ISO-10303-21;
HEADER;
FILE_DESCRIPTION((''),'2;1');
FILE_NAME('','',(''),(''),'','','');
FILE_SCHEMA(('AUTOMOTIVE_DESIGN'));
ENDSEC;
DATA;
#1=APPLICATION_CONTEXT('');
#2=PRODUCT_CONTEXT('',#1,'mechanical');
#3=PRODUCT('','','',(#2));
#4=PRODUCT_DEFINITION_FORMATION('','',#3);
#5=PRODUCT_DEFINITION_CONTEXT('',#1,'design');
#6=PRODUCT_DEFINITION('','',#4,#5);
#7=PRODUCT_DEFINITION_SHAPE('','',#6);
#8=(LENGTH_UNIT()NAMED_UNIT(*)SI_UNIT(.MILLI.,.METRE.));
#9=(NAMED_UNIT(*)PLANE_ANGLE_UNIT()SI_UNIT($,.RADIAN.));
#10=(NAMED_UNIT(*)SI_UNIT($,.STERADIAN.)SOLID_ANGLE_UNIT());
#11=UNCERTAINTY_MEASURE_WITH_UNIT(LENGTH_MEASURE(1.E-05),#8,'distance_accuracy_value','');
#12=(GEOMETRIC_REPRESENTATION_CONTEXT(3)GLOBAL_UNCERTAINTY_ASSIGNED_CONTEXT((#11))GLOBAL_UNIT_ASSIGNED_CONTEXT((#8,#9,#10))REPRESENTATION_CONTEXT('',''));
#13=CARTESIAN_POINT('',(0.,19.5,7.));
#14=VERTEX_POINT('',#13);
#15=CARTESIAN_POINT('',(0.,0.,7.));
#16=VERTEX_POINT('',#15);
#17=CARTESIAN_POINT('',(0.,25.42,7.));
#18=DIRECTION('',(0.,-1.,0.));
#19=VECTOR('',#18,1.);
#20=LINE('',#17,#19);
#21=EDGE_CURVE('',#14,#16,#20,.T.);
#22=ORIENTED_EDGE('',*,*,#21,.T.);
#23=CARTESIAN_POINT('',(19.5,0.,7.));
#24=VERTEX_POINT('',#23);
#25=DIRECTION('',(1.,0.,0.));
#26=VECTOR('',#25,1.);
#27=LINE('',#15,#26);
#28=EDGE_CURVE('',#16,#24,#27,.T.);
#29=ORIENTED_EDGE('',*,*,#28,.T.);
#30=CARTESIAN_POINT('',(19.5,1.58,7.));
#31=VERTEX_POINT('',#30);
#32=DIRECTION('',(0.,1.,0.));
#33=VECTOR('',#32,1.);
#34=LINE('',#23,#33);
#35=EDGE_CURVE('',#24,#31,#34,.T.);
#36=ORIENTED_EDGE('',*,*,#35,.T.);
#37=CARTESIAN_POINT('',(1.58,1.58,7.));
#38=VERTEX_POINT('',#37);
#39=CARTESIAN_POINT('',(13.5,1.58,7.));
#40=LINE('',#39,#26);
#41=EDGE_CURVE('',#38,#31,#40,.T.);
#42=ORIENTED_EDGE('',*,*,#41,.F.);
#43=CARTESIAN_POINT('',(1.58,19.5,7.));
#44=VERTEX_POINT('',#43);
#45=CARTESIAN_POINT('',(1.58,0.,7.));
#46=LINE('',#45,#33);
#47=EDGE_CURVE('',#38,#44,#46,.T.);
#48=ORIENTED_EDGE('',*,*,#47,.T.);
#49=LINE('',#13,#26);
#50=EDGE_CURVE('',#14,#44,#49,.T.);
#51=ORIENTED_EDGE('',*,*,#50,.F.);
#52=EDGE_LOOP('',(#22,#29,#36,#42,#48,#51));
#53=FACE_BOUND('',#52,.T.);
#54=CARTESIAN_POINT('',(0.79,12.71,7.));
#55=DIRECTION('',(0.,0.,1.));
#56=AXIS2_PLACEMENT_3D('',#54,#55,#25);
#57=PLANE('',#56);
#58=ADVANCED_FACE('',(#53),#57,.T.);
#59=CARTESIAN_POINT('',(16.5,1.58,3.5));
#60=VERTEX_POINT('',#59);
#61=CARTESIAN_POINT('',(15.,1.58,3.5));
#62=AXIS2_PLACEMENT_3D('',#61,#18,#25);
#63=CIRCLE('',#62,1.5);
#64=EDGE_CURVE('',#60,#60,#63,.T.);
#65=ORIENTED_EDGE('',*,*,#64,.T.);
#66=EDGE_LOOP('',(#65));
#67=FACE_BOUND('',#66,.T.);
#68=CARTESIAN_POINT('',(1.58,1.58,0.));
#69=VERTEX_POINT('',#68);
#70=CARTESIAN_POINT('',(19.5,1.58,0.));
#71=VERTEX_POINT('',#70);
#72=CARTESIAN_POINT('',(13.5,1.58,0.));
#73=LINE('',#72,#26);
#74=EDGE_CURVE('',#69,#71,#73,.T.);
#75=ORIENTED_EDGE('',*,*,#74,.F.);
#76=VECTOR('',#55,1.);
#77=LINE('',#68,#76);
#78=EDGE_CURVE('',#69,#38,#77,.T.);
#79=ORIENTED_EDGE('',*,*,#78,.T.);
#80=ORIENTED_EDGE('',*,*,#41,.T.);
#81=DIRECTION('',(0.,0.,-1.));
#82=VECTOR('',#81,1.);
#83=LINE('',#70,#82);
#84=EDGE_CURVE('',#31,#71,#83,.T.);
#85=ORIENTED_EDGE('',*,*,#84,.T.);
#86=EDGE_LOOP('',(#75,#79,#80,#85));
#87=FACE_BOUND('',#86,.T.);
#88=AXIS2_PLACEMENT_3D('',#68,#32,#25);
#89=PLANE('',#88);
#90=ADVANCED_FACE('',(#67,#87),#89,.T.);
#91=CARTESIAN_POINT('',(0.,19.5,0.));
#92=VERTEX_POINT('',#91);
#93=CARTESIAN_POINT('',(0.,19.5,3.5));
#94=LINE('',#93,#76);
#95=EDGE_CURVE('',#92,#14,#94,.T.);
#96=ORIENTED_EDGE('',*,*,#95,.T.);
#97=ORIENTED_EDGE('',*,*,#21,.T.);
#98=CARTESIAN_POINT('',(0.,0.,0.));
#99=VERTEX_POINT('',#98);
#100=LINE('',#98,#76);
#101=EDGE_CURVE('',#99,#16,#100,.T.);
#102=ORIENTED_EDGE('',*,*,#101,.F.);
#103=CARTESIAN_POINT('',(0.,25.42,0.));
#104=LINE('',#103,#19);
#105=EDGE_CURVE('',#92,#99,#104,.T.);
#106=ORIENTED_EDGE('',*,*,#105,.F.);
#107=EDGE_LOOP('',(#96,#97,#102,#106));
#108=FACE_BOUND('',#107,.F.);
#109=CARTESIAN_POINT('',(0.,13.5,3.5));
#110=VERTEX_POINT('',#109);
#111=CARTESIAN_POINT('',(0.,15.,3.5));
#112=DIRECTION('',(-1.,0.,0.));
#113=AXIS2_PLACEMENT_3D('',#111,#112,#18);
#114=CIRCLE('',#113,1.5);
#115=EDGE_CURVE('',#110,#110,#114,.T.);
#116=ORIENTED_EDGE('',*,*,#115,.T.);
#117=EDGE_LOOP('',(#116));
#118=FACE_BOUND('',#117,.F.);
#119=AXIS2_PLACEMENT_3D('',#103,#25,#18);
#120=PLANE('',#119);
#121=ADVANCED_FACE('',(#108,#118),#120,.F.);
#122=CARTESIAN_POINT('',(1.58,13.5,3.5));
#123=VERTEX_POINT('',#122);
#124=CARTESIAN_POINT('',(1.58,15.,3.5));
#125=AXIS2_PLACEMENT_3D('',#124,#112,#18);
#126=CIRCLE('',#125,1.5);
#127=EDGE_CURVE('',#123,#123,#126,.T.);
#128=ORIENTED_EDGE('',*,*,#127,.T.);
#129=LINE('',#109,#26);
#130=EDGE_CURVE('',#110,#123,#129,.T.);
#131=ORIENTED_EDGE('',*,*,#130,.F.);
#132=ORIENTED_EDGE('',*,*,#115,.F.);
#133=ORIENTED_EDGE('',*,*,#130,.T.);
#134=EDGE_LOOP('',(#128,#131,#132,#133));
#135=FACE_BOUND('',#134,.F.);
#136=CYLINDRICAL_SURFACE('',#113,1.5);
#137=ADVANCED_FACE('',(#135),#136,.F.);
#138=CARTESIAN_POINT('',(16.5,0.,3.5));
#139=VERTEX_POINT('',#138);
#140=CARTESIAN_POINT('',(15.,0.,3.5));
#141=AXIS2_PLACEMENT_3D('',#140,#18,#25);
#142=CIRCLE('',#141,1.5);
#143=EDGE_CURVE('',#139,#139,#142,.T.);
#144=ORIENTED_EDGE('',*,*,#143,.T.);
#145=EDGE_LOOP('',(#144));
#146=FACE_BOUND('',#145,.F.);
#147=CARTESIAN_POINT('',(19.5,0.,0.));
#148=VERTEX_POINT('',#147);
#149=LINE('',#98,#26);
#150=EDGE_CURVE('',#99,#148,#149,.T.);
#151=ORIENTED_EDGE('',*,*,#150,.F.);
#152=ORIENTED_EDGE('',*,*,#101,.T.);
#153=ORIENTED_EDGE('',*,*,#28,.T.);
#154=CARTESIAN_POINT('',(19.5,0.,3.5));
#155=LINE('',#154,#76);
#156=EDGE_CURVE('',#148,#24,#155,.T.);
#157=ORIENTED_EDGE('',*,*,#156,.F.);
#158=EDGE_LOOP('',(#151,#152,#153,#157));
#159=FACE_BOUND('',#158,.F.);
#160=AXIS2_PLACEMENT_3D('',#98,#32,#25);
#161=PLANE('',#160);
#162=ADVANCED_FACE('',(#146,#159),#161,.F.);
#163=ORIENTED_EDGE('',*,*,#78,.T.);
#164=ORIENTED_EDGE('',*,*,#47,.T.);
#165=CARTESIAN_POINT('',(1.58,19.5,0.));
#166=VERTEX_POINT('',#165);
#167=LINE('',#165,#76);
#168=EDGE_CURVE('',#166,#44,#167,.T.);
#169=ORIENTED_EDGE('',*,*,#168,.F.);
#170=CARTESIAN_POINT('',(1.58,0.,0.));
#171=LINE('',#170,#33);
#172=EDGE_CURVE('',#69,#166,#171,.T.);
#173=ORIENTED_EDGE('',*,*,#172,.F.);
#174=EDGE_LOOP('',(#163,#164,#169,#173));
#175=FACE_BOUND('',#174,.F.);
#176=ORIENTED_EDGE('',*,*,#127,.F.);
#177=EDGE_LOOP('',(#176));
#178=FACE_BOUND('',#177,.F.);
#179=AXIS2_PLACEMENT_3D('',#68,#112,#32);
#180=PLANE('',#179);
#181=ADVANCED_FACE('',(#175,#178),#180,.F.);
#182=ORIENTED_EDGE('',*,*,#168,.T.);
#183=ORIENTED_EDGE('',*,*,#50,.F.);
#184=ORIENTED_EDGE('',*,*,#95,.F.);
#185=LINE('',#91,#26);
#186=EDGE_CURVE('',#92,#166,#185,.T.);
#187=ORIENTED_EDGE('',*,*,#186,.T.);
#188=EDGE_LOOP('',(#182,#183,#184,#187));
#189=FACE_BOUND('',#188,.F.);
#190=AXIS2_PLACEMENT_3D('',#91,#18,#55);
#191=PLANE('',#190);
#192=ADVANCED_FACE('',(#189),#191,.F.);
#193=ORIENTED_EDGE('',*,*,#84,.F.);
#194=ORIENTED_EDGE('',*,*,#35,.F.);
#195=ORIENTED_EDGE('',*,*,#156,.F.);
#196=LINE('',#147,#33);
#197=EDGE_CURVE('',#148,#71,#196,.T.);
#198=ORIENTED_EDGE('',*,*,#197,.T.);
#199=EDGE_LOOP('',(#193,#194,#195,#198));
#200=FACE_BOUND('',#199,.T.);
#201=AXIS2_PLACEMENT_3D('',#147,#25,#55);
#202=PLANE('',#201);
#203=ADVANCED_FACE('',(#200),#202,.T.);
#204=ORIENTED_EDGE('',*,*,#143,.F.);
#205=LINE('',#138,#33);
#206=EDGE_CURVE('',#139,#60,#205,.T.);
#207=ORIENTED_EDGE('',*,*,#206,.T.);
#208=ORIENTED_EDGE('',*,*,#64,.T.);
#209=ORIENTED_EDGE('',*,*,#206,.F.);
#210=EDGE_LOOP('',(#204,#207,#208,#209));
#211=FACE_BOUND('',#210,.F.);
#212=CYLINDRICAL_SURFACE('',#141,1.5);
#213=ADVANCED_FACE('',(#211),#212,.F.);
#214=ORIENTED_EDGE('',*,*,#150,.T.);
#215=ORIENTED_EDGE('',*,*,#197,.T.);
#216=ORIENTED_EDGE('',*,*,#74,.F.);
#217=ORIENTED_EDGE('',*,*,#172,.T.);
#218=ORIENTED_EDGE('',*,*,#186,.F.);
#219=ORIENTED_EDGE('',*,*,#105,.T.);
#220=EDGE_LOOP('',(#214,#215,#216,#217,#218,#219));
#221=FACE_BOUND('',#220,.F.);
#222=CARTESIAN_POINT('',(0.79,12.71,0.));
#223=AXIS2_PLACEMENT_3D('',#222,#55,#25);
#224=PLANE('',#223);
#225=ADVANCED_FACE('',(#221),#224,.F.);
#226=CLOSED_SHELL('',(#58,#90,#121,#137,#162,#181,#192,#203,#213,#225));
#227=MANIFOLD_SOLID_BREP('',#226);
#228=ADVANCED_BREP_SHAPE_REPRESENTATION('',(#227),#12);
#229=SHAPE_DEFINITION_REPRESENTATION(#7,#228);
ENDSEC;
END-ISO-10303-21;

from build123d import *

# Parameters (mm, degrees)
F0_W     = 23.84
F0_H     = 1.58
F1_DEPTH = 7
F2_R     = 1.5
F2_W     = 5.92
F2_H     = 7
F3_DEPTH = 25
F4_R     = 1.5
F4_W     = 5.92
F4_H     = 7
F5_DEPTH = 25


with BuildPart() as f1:
    # F0 (on Top) → F1 (new body)
    with BuildSketch(Plane.XY):
        Polygon((0, 25.42), (0, 0), (1.58, 0), (1.58, 1.58), (1.58, 25.42), align=None)
        with Locations((13.5, 0.79)):
            Rectangle(F0_W, F0_H)
    extrude(amount=F1_DEPTH)

    # F2 (on face) → F3 (cut)
    with BuildSketch(Plane(origin=(0, 0, 0), x_dir=(0, -1, 0), z_dir=(-1, 0, 0))):
        with Locations((-15, 3.5)):
            Circle(F2_R)
        with Locations((-22.46, 3.5)):
            Rectangle(F2_W, F2_H)
    extrude(amount=-F3_DEPTH, mode=Mode.SUBTRACT)

    # F4 (on face) → F5 (cut)
    with BuildSketch(Plane.XZ):
        with Locations((15, 3.5)):
            Circle(F4_R)
        with Locations((22.46, 3.5)):
            Rectangle(F4_W, F4_H)
    extrude(amount=-F5_DEPTH, mode=Mode.SUBTRACT)


solid = f1.part
